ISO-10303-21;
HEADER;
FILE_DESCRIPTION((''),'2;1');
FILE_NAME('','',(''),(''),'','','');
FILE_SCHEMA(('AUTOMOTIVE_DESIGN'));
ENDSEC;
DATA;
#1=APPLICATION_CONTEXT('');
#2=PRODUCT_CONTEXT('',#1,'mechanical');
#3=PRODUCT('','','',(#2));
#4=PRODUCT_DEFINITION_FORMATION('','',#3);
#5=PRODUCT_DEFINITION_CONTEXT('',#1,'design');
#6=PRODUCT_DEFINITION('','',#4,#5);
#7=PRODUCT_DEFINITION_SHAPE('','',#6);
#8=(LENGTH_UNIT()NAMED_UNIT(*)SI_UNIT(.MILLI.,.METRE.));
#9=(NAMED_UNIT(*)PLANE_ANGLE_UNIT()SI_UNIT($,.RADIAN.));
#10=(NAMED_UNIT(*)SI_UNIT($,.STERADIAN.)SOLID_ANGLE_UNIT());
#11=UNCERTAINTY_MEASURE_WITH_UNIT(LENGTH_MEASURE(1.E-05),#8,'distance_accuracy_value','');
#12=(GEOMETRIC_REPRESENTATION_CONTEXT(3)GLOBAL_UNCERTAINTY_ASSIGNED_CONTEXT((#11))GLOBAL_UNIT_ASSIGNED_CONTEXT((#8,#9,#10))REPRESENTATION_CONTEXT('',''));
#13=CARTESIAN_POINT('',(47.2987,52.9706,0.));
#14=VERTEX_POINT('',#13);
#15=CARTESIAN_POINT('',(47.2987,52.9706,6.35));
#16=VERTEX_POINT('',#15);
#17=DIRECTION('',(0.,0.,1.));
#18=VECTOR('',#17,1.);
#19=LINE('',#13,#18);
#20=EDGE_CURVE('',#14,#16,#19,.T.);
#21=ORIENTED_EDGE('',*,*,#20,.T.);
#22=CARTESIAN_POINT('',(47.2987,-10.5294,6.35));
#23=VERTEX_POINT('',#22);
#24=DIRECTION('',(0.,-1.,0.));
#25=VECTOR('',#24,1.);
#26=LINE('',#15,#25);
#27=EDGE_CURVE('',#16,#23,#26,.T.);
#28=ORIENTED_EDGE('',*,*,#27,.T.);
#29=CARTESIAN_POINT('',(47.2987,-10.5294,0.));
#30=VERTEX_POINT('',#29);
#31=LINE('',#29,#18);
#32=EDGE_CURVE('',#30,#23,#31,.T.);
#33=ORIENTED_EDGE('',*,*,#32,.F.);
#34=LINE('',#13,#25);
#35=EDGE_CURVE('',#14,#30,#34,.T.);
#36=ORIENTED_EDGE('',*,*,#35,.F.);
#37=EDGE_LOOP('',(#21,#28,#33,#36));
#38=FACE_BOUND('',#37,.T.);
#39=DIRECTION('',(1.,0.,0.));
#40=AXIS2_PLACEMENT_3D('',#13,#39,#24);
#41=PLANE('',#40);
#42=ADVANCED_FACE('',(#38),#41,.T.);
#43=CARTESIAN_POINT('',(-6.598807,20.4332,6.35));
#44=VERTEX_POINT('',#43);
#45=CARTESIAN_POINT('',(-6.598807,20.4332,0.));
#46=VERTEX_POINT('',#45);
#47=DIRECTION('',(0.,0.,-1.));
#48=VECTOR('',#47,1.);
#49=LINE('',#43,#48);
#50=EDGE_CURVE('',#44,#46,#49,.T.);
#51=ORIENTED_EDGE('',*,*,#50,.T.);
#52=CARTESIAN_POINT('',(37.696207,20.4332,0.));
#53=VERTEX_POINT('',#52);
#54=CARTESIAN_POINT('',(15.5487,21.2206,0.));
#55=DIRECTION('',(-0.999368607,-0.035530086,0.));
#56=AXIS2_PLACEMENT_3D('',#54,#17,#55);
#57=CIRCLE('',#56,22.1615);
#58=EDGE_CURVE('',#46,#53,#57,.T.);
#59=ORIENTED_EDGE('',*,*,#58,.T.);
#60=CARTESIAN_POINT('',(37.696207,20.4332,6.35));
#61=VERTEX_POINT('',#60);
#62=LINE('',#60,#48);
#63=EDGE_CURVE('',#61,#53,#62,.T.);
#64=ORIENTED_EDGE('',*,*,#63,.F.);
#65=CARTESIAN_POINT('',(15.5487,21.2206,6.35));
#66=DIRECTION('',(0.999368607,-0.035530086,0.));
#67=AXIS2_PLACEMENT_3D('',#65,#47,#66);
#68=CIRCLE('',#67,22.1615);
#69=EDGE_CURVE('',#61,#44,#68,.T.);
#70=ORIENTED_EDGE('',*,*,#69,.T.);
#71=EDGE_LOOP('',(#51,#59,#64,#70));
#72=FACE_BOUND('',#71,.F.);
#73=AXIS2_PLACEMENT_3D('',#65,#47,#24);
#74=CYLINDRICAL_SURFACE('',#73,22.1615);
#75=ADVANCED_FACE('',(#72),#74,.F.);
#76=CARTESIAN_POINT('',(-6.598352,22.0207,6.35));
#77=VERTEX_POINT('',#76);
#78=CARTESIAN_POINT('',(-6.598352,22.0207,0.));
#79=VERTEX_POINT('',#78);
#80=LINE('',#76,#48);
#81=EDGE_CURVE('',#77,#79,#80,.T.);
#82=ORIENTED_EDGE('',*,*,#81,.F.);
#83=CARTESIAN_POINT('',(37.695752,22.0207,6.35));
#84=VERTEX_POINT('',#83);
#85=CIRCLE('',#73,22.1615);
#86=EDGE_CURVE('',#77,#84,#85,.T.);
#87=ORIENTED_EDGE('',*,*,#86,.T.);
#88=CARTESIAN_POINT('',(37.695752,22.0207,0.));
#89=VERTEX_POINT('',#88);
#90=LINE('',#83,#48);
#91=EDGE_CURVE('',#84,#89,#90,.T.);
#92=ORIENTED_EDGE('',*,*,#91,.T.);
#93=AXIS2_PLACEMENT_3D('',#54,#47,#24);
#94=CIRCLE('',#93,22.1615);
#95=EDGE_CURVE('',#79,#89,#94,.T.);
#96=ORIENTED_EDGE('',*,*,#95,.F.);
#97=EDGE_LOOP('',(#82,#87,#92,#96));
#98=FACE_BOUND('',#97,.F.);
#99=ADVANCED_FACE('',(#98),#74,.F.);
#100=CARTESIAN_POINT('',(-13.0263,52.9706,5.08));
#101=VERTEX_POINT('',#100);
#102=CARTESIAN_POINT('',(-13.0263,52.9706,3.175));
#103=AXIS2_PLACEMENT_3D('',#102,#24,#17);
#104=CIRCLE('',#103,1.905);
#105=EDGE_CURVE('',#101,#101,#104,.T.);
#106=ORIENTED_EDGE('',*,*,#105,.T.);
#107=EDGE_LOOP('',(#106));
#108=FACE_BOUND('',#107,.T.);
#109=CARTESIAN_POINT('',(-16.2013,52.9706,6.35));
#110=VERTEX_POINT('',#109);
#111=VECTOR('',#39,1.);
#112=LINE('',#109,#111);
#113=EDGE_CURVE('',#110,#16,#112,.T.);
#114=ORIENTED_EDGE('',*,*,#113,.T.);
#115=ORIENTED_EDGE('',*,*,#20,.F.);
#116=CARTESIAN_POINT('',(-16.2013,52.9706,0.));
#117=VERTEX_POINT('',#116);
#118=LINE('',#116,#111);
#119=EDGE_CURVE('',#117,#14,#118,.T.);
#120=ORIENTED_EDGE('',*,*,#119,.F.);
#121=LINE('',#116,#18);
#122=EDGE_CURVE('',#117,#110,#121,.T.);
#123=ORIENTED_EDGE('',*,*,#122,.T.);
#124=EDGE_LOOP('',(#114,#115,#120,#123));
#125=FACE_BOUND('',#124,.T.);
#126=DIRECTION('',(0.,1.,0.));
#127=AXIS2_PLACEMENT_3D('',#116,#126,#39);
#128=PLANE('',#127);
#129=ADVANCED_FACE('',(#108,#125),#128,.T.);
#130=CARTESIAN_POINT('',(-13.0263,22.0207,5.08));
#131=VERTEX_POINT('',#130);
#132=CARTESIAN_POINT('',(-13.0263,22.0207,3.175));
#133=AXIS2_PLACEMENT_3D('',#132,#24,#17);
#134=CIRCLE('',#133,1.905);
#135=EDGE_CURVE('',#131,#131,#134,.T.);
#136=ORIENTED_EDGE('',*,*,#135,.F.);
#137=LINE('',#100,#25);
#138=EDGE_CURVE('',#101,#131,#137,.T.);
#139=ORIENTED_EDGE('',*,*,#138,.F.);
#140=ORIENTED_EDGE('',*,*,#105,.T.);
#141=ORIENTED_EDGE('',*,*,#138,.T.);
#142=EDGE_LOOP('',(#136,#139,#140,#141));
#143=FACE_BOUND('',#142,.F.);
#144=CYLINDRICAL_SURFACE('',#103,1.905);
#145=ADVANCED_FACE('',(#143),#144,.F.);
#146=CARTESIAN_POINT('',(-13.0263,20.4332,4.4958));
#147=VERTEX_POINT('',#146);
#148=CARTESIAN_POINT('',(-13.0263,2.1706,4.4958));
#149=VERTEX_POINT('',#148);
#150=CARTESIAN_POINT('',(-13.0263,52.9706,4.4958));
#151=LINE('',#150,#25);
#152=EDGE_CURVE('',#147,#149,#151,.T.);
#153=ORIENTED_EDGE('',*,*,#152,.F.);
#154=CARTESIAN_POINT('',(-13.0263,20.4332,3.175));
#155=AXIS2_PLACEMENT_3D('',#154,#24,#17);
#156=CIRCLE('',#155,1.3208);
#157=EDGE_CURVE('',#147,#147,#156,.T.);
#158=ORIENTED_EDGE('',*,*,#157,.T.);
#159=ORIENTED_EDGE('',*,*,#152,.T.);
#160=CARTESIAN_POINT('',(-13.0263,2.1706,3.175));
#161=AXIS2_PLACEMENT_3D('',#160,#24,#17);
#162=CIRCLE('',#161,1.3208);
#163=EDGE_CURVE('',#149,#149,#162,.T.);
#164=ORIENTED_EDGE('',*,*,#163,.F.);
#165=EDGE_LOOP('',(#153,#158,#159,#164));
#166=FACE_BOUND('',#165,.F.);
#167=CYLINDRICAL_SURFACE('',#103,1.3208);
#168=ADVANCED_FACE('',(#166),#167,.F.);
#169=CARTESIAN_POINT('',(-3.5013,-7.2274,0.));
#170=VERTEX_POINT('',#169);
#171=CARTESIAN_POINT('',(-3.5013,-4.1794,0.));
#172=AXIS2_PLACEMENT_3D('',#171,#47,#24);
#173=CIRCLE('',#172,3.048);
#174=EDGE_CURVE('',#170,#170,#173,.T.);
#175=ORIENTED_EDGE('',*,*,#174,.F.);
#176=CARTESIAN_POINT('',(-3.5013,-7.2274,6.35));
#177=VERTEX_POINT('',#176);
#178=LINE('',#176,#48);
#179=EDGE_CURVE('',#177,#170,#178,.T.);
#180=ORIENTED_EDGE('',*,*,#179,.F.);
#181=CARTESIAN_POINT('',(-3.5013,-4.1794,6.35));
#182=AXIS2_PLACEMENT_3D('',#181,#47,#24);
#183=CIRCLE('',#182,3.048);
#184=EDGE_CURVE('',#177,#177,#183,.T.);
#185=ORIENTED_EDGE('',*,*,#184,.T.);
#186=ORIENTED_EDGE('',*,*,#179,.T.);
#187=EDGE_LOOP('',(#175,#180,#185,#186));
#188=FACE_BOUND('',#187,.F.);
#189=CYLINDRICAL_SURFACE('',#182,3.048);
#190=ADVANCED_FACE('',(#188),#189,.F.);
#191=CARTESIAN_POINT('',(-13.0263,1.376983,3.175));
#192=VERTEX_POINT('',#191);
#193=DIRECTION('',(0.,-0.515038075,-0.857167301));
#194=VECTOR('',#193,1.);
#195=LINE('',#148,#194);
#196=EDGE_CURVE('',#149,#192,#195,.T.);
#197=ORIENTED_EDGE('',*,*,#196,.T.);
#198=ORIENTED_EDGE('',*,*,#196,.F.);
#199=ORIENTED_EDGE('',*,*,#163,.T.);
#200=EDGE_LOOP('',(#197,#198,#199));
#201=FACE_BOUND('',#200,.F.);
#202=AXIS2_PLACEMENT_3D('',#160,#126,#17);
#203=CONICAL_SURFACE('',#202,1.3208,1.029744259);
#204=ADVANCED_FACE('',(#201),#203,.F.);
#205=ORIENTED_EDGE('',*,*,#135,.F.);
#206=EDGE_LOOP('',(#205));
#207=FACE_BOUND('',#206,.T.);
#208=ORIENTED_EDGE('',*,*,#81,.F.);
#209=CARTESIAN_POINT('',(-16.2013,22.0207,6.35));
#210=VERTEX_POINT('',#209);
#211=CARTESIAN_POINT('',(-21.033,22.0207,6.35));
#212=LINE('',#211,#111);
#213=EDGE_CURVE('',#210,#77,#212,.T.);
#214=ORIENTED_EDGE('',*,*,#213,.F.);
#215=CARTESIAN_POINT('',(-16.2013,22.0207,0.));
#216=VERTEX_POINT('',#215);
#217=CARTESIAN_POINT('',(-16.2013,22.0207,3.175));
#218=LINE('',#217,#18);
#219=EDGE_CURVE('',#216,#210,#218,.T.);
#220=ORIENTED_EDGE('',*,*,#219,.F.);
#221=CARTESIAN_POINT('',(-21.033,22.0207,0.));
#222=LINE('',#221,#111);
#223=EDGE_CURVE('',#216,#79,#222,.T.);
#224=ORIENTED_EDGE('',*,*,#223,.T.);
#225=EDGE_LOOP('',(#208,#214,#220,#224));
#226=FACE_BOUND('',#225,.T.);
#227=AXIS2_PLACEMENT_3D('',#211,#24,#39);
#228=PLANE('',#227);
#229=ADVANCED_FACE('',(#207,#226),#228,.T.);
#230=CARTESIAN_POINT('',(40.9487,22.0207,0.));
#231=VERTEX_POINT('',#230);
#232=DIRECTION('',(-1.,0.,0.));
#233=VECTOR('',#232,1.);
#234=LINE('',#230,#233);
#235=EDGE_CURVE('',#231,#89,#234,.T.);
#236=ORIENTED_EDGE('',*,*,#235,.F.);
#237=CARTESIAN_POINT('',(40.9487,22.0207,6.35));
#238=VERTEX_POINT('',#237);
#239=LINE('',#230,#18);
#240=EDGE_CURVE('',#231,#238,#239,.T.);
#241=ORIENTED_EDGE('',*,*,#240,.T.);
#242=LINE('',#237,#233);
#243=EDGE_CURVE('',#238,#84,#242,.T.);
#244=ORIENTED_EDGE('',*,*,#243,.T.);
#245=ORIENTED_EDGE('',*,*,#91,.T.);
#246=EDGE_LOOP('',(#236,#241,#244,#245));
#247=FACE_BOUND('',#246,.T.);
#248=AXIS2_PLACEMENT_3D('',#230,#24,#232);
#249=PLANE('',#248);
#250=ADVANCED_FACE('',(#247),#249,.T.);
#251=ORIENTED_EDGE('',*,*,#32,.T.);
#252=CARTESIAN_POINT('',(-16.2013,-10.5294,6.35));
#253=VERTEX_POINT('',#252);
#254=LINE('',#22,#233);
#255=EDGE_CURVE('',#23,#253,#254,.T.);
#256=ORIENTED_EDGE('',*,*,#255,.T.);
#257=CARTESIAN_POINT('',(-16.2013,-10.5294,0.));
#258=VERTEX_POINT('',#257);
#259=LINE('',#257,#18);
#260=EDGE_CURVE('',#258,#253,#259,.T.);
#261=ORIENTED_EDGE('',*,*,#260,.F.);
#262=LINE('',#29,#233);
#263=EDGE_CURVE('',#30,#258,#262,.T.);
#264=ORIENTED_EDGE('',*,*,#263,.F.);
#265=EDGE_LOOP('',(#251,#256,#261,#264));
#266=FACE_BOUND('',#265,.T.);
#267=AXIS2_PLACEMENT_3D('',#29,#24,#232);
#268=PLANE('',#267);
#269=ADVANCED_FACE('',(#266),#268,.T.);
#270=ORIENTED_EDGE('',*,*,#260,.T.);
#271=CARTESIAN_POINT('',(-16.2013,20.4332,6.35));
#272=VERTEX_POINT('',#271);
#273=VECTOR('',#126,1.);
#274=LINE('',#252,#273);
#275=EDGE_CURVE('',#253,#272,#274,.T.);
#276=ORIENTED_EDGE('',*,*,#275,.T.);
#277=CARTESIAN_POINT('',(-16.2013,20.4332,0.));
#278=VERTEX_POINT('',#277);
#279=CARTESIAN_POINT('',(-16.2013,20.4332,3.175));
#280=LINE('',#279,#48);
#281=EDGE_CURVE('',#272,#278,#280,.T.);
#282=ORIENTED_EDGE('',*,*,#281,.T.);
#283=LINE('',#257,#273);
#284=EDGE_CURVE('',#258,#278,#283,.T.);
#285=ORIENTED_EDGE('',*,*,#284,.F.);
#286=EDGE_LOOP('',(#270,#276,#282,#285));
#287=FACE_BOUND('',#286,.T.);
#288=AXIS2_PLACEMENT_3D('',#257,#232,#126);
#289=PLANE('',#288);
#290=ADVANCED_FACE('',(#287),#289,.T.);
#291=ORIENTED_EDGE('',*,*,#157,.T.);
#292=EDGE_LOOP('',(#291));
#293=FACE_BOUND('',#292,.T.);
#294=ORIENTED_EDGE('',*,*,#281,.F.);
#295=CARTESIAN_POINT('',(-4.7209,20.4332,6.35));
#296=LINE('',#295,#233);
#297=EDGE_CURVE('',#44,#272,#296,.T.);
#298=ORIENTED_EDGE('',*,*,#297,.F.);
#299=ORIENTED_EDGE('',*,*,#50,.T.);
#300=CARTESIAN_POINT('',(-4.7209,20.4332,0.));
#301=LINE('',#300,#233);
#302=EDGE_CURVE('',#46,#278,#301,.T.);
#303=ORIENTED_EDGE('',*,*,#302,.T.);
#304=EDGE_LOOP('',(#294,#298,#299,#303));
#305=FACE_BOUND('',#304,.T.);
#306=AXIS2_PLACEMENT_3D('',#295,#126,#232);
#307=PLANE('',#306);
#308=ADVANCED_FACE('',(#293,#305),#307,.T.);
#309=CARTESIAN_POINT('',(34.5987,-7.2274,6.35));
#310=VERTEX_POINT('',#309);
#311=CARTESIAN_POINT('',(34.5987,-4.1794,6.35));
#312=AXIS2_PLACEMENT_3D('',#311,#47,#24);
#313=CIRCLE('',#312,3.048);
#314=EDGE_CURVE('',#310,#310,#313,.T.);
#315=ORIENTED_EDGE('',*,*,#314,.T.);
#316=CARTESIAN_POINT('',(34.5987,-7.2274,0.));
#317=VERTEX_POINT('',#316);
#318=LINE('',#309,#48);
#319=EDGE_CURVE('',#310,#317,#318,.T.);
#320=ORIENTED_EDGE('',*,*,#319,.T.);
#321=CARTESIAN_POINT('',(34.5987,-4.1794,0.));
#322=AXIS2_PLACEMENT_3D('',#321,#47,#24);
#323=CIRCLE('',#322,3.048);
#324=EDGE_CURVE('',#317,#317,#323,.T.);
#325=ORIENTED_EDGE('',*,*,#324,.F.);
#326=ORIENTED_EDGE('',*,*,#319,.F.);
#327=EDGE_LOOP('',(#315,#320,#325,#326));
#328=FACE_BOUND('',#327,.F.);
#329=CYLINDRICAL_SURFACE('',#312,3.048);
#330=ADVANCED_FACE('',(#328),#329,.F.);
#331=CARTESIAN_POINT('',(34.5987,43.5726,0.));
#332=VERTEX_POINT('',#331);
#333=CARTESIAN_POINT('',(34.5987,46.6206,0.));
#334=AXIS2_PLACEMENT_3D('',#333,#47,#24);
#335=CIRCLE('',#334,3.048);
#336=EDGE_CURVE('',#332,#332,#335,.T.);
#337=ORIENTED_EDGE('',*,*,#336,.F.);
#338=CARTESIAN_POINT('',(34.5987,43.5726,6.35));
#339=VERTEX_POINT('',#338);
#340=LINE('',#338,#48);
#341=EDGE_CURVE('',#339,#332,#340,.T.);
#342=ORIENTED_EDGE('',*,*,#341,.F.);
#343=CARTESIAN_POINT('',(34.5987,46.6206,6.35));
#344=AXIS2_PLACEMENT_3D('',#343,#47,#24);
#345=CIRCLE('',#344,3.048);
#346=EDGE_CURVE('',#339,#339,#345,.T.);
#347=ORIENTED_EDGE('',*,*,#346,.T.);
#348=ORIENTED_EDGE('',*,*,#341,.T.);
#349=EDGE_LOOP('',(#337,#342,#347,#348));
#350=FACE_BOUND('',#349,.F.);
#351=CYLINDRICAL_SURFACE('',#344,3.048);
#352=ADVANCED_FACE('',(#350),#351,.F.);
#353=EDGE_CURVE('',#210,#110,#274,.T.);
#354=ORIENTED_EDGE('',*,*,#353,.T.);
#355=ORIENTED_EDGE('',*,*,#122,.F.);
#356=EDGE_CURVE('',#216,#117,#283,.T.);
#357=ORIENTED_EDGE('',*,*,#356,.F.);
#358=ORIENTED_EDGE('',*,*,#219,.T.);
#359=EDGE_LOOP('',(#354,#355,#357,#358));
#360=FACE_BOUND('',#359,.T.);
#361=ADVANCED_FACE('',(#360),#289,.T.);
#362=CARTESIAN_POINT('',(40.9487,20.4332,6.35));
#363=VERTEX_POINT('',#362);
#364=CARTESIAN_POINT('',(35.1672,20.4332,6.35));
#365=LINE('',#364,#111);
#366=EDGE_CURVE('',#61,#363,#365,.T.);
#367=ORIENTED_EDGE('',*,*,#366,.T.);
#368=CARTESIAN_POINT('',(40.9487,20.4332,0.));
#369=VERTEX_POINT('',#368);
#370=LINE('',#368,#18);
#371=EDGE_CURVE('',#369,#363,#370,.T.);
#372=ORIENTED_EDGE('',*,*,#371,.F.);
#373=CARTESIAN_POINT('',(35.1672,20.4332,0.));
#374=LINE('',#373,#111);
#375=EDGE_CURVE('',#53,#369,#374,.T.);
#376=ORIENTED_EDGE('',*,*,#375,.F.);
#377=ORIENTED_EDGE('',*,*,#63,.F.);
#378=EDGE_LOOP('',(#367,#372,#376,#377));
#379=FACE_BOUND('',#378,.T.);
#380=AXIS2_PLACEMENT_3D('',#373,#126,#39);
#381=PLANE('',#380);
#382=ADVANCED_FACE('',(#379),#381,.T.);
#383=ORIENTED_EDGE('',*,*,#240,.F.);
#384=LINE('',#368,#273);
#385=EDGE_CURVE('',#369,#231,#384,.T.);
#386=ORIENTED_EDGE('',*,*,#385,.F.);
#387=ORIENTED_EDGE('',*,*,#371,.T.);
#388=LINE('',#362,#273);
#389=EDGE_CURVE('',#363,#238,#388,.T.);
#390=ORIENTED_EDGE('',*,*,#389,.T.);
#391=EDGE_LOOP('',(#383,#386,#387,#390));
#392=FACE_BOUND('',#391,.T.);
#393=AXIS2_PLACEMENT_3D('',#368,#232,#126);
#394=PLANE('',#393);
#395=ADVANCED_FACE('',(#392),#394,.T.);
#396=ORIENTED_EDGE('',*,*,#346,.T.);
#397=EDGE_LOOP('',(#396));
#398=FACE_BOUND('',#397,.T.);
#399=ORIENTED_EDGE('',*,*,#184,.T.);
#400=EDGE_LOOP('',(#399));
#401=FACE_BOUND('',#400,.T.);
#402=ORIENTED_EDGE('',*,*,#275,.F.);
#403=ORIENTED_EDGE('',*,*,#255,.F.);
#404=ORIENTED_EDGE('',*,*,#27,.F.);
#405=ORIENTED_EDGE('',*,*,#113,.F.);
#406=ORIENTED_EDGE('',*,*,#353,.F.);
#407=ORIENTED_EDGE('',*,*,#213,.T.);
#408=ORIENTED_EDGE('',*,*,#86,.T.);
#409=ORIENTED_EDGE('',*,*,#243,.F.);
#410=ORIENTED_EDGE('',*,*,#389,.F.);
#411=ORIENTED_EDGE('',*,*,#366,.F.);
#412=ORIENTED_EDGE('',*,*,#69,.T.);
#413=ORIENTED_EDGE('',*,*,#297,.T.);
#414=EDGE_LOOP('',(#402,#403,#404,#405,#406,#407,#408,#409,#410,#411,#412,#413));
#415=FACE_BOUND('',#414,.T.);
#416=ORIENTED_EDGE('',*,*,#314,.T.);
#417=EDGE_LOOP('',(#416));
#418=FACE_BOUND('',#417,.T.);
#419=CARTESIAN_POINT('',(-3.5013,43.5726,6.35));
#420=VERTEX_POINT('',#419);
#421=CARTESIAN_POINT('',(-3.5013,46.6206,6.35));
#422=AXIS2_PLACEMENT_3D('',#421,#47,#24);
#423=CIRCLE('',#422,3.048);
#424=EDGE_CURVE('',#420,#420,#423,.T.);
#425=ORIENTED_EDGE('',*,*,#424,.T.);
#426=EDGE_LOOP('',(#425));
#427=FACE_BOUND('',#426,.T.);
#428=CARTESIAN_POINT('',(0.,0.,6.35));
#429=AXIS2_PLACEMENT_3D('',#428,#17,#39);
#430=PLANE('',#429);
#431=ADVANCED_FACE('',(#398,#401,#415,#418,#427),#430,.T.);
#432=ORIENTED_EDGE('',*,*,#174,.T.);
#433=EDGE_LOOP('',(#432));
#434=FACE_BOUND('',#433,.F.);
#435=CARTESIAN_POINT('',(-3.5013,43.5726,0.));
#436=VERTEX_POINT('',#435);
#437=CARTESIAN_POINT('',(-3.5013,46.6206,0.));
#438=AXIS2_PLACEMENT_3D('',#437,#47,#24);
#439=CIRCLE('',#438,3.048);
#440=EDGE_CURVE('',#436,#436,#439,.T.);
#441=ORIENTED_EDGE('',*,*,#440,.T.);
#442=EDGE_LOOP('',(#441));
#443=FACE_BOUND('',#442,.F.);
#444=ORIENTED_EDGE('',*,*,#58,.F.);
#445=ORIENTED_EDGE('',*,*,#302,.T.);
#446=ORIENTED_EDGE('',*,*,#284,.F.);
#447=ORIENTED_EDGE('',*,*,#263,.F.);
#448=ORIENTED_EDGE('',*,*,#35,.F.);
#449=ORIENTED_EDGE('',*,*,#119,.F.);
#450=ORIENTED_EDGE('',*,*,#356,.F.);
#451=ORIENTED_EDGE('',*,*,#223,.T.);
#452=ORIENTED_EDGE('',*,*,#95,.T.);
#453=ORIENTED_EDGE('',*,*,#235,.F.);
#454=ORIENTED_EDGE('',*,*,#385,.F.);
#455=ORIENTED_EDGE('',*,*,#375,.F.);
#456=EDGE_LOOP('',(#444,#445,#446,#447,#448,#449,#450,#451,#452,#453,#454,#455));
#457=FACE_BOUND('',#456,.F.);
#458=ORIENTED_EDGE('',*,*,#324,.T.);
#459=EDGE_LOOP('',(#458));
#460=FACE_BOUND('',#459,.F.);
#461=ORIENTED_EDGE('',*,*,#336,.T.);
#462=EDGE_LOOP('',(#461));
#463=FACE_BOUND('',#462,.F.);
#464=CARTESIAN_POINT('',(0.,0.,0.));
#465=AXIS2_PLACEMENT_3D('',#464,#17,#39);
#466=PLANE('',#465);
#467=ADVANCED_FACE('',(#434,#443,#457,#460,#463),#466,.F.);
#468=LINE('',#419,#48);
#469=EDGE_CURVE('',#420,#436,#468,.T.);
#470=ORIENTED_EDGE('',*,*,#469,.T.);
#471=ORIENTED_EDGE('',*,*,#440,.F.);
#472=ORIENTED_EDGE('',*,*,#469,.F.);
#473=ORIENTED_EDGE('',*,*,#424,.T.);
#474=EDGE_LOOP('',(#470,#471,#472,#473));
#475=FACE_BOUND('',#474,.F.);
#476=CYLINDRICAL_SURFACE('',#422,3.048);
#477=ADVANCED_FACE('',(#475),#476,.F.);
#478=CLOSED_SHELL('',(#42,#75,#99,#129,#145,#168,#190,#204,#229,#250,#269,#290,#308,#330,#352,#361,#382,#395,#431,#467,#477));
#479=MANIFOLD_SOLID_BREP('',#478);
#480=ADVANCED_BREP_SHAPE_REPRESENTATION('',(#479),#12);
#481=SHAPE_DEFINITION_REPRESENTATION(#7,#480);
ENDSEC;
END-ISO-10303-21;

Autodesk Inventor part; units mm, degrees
ref_plane "YZ Plane" through (0, 0, 0) normal (1, 0, 0) x (0, 1, 0)
ref_plane "XZ Plane" through (0, 0, 0) normal (0, 1, 0) x (-1, 0, 0)
ref_plane "XY Plane" through (0, 0, 0) normal (0, 0, 1) x (1, 0, 0)
sketch "Sketch1" plane through (0, 0, 0) normal (0, 0, 1) x (1, 0, 0)
  line L0 (-16.2013, 52.9706) -> (47.2987, 52.9706)
  line L1 (47.2987, 52.9706) -> (47.2987, -10.5294)
  line L2 (47.2987, -10.5294) -> (-16.2013, -10.5294)
  line L3 (-16.2013, -10.5294) -> (-16.2013, 52.9706)
  point P0 (0, 0)
  dimension "d0" = 63.5
  dimension "d1" = 63.5
extrude "Extrusion1" add sketch "Sketch1" along normal blind 6.35
sketch "Sketch2" plane through (0, 0, 6.35) normal (0, 0, 1) x (1, 0, 0)
  line L0 (-16.2013, -10.5294) -> (-16.2013, 52.9706) projected
  line L1 (47.2987, -10.5294) -> (-16.2013, -10.5294) projected
  point P0 (0, 0)
  point P1 (15.5487, 21.2206)
  dimension "d4" = 31.75
  dimension "d5" = 31.75
hole "Hole1" at (15.5487, 21.2206, 6.35) direction (0, 0, -1) diameter 44.323 end through all
sketch "Sketch3" plane through (0, 0, 6.35) normal (0, 0, 1) x (1, 0, 0)
  line L0 (47.2987, 52.9706) -> (47.2987, -10.5294) projected
  line L1 (-16.2013, 52.9706) -> (47.2987, 52.9706) projected
  line L2 (-16.2013, -10.5294) -> (-16.2013, 52.9706) projected
  line L3 (47.2987, -10.5294) -> (-16.2013, -10.5294) projected
  point P0 (0, 0)
  point P1 (-3.5013, 46.6206)
  point P2 (34.5987, 46.6206)
  point P3 (-3.5013, -4.1794)
  point P4 (34.5987, -4.1794)
  dimension "d13" = 6.35
  dimension "d14" = 12.7
  dimension "d15" = 12.7
  dimension "d16" = 6.35
  dimension "d24" = 12.7
  dimension "d25" = 12.7
hole "Hole2" at (-3.5013, 46.6206, 6.35) at (34.5987, 46.6206, 6.35) at (-3.5013, -4.1794, 6.35) at (34.5987, -4.1794, 6.35) direction (0, 0, -1) diameter 6.096 end through all
sketch "Sketch4" plane through (0, 0, 6.35) normal (0, 0, 1) x (1, 0, 0)
  line L0 (-16.2013, 52.9706) -> (47.2987, 52.9706) projected
  line L1 (-4.7209, 20.4332) -> (-21.033, 20.4332)
  line L2 (-21.033, 20.4332) -> (-21.033, 22.0207)
  line L3 (-21.033, 22.0207) -> (-4.7209, 22.0207)
  line L4 (-4.7209, 22.0207) -> (-4.7209, 20.4332)
  point P0 (0, 0)
  dimension "d26" = 1.5875
  dimension "d27" = 30.9499
extrude "Extrusion2" cut sketch "Sketch4" against normal blind 6.35
sketch "Sketch5" plane through (-16.2013, 52.9706, 0) normal (0, 1, 0) x (1, 0, 0)
  line L0 (0, 0) -> (63.5, 0) projected
  line L1 (0, 0) -> (0, -6.35) projected
  point P0 (16.2013, 0)
  point P1 (3.175, -3.175)
  dimension "d30" = 3.175
  dimension "d31" = 3.175
hole "Hole3" at (-13.0263, 52.9706, 3.175) direction (0, -1, 0) diameter 2.6416 depth 50.8 tip angle 118 thread size "6-32 UNC" class "2B" standard "ANSI Unified Screw Threads"
sketch "Sketch6" plane through (-16.2013, 52.9706, 0) normal (0, 1, 0) x (1, 0, 0)
  circle A0 centre (3.175, -3.175) radius 1.3208 projected
  point P0 (16.2013, 0)
hole "Hole4" at (-13.0263, 52.9706, 3.175) direction (0, -1, 0) diameter 3.81 depth 31.75 tip angle 118
sketch "Sketch7" plane through (0, 0, 0) normal (0, 0, -1) x (-1, 0, 0)
  line L0 (-47.2987, 52.9706) -> (-47.2987, -10.5294) projected
  line L1 (-40.9487, 22.0207) -> (-35.1672, 22.0207)
  line L2 (-35.1672, 22.0207) -> (-35.1672, 20.4332)
  line L3 (-35.1672, 20.4332) -> (-40.9487, 20.4332)
  line L4 (-40.9487, 20.4332) -> (-40.9487, 22.0207)
  point P0 (0, 0)
  dimension "d46" = 6.35
extrude "Extrusion3" cut sketch "Sketch7" against normal blind 6.35
properties part number "JF-AT-JC0015" material "Aluminum-6061 (Anodized Black)"
